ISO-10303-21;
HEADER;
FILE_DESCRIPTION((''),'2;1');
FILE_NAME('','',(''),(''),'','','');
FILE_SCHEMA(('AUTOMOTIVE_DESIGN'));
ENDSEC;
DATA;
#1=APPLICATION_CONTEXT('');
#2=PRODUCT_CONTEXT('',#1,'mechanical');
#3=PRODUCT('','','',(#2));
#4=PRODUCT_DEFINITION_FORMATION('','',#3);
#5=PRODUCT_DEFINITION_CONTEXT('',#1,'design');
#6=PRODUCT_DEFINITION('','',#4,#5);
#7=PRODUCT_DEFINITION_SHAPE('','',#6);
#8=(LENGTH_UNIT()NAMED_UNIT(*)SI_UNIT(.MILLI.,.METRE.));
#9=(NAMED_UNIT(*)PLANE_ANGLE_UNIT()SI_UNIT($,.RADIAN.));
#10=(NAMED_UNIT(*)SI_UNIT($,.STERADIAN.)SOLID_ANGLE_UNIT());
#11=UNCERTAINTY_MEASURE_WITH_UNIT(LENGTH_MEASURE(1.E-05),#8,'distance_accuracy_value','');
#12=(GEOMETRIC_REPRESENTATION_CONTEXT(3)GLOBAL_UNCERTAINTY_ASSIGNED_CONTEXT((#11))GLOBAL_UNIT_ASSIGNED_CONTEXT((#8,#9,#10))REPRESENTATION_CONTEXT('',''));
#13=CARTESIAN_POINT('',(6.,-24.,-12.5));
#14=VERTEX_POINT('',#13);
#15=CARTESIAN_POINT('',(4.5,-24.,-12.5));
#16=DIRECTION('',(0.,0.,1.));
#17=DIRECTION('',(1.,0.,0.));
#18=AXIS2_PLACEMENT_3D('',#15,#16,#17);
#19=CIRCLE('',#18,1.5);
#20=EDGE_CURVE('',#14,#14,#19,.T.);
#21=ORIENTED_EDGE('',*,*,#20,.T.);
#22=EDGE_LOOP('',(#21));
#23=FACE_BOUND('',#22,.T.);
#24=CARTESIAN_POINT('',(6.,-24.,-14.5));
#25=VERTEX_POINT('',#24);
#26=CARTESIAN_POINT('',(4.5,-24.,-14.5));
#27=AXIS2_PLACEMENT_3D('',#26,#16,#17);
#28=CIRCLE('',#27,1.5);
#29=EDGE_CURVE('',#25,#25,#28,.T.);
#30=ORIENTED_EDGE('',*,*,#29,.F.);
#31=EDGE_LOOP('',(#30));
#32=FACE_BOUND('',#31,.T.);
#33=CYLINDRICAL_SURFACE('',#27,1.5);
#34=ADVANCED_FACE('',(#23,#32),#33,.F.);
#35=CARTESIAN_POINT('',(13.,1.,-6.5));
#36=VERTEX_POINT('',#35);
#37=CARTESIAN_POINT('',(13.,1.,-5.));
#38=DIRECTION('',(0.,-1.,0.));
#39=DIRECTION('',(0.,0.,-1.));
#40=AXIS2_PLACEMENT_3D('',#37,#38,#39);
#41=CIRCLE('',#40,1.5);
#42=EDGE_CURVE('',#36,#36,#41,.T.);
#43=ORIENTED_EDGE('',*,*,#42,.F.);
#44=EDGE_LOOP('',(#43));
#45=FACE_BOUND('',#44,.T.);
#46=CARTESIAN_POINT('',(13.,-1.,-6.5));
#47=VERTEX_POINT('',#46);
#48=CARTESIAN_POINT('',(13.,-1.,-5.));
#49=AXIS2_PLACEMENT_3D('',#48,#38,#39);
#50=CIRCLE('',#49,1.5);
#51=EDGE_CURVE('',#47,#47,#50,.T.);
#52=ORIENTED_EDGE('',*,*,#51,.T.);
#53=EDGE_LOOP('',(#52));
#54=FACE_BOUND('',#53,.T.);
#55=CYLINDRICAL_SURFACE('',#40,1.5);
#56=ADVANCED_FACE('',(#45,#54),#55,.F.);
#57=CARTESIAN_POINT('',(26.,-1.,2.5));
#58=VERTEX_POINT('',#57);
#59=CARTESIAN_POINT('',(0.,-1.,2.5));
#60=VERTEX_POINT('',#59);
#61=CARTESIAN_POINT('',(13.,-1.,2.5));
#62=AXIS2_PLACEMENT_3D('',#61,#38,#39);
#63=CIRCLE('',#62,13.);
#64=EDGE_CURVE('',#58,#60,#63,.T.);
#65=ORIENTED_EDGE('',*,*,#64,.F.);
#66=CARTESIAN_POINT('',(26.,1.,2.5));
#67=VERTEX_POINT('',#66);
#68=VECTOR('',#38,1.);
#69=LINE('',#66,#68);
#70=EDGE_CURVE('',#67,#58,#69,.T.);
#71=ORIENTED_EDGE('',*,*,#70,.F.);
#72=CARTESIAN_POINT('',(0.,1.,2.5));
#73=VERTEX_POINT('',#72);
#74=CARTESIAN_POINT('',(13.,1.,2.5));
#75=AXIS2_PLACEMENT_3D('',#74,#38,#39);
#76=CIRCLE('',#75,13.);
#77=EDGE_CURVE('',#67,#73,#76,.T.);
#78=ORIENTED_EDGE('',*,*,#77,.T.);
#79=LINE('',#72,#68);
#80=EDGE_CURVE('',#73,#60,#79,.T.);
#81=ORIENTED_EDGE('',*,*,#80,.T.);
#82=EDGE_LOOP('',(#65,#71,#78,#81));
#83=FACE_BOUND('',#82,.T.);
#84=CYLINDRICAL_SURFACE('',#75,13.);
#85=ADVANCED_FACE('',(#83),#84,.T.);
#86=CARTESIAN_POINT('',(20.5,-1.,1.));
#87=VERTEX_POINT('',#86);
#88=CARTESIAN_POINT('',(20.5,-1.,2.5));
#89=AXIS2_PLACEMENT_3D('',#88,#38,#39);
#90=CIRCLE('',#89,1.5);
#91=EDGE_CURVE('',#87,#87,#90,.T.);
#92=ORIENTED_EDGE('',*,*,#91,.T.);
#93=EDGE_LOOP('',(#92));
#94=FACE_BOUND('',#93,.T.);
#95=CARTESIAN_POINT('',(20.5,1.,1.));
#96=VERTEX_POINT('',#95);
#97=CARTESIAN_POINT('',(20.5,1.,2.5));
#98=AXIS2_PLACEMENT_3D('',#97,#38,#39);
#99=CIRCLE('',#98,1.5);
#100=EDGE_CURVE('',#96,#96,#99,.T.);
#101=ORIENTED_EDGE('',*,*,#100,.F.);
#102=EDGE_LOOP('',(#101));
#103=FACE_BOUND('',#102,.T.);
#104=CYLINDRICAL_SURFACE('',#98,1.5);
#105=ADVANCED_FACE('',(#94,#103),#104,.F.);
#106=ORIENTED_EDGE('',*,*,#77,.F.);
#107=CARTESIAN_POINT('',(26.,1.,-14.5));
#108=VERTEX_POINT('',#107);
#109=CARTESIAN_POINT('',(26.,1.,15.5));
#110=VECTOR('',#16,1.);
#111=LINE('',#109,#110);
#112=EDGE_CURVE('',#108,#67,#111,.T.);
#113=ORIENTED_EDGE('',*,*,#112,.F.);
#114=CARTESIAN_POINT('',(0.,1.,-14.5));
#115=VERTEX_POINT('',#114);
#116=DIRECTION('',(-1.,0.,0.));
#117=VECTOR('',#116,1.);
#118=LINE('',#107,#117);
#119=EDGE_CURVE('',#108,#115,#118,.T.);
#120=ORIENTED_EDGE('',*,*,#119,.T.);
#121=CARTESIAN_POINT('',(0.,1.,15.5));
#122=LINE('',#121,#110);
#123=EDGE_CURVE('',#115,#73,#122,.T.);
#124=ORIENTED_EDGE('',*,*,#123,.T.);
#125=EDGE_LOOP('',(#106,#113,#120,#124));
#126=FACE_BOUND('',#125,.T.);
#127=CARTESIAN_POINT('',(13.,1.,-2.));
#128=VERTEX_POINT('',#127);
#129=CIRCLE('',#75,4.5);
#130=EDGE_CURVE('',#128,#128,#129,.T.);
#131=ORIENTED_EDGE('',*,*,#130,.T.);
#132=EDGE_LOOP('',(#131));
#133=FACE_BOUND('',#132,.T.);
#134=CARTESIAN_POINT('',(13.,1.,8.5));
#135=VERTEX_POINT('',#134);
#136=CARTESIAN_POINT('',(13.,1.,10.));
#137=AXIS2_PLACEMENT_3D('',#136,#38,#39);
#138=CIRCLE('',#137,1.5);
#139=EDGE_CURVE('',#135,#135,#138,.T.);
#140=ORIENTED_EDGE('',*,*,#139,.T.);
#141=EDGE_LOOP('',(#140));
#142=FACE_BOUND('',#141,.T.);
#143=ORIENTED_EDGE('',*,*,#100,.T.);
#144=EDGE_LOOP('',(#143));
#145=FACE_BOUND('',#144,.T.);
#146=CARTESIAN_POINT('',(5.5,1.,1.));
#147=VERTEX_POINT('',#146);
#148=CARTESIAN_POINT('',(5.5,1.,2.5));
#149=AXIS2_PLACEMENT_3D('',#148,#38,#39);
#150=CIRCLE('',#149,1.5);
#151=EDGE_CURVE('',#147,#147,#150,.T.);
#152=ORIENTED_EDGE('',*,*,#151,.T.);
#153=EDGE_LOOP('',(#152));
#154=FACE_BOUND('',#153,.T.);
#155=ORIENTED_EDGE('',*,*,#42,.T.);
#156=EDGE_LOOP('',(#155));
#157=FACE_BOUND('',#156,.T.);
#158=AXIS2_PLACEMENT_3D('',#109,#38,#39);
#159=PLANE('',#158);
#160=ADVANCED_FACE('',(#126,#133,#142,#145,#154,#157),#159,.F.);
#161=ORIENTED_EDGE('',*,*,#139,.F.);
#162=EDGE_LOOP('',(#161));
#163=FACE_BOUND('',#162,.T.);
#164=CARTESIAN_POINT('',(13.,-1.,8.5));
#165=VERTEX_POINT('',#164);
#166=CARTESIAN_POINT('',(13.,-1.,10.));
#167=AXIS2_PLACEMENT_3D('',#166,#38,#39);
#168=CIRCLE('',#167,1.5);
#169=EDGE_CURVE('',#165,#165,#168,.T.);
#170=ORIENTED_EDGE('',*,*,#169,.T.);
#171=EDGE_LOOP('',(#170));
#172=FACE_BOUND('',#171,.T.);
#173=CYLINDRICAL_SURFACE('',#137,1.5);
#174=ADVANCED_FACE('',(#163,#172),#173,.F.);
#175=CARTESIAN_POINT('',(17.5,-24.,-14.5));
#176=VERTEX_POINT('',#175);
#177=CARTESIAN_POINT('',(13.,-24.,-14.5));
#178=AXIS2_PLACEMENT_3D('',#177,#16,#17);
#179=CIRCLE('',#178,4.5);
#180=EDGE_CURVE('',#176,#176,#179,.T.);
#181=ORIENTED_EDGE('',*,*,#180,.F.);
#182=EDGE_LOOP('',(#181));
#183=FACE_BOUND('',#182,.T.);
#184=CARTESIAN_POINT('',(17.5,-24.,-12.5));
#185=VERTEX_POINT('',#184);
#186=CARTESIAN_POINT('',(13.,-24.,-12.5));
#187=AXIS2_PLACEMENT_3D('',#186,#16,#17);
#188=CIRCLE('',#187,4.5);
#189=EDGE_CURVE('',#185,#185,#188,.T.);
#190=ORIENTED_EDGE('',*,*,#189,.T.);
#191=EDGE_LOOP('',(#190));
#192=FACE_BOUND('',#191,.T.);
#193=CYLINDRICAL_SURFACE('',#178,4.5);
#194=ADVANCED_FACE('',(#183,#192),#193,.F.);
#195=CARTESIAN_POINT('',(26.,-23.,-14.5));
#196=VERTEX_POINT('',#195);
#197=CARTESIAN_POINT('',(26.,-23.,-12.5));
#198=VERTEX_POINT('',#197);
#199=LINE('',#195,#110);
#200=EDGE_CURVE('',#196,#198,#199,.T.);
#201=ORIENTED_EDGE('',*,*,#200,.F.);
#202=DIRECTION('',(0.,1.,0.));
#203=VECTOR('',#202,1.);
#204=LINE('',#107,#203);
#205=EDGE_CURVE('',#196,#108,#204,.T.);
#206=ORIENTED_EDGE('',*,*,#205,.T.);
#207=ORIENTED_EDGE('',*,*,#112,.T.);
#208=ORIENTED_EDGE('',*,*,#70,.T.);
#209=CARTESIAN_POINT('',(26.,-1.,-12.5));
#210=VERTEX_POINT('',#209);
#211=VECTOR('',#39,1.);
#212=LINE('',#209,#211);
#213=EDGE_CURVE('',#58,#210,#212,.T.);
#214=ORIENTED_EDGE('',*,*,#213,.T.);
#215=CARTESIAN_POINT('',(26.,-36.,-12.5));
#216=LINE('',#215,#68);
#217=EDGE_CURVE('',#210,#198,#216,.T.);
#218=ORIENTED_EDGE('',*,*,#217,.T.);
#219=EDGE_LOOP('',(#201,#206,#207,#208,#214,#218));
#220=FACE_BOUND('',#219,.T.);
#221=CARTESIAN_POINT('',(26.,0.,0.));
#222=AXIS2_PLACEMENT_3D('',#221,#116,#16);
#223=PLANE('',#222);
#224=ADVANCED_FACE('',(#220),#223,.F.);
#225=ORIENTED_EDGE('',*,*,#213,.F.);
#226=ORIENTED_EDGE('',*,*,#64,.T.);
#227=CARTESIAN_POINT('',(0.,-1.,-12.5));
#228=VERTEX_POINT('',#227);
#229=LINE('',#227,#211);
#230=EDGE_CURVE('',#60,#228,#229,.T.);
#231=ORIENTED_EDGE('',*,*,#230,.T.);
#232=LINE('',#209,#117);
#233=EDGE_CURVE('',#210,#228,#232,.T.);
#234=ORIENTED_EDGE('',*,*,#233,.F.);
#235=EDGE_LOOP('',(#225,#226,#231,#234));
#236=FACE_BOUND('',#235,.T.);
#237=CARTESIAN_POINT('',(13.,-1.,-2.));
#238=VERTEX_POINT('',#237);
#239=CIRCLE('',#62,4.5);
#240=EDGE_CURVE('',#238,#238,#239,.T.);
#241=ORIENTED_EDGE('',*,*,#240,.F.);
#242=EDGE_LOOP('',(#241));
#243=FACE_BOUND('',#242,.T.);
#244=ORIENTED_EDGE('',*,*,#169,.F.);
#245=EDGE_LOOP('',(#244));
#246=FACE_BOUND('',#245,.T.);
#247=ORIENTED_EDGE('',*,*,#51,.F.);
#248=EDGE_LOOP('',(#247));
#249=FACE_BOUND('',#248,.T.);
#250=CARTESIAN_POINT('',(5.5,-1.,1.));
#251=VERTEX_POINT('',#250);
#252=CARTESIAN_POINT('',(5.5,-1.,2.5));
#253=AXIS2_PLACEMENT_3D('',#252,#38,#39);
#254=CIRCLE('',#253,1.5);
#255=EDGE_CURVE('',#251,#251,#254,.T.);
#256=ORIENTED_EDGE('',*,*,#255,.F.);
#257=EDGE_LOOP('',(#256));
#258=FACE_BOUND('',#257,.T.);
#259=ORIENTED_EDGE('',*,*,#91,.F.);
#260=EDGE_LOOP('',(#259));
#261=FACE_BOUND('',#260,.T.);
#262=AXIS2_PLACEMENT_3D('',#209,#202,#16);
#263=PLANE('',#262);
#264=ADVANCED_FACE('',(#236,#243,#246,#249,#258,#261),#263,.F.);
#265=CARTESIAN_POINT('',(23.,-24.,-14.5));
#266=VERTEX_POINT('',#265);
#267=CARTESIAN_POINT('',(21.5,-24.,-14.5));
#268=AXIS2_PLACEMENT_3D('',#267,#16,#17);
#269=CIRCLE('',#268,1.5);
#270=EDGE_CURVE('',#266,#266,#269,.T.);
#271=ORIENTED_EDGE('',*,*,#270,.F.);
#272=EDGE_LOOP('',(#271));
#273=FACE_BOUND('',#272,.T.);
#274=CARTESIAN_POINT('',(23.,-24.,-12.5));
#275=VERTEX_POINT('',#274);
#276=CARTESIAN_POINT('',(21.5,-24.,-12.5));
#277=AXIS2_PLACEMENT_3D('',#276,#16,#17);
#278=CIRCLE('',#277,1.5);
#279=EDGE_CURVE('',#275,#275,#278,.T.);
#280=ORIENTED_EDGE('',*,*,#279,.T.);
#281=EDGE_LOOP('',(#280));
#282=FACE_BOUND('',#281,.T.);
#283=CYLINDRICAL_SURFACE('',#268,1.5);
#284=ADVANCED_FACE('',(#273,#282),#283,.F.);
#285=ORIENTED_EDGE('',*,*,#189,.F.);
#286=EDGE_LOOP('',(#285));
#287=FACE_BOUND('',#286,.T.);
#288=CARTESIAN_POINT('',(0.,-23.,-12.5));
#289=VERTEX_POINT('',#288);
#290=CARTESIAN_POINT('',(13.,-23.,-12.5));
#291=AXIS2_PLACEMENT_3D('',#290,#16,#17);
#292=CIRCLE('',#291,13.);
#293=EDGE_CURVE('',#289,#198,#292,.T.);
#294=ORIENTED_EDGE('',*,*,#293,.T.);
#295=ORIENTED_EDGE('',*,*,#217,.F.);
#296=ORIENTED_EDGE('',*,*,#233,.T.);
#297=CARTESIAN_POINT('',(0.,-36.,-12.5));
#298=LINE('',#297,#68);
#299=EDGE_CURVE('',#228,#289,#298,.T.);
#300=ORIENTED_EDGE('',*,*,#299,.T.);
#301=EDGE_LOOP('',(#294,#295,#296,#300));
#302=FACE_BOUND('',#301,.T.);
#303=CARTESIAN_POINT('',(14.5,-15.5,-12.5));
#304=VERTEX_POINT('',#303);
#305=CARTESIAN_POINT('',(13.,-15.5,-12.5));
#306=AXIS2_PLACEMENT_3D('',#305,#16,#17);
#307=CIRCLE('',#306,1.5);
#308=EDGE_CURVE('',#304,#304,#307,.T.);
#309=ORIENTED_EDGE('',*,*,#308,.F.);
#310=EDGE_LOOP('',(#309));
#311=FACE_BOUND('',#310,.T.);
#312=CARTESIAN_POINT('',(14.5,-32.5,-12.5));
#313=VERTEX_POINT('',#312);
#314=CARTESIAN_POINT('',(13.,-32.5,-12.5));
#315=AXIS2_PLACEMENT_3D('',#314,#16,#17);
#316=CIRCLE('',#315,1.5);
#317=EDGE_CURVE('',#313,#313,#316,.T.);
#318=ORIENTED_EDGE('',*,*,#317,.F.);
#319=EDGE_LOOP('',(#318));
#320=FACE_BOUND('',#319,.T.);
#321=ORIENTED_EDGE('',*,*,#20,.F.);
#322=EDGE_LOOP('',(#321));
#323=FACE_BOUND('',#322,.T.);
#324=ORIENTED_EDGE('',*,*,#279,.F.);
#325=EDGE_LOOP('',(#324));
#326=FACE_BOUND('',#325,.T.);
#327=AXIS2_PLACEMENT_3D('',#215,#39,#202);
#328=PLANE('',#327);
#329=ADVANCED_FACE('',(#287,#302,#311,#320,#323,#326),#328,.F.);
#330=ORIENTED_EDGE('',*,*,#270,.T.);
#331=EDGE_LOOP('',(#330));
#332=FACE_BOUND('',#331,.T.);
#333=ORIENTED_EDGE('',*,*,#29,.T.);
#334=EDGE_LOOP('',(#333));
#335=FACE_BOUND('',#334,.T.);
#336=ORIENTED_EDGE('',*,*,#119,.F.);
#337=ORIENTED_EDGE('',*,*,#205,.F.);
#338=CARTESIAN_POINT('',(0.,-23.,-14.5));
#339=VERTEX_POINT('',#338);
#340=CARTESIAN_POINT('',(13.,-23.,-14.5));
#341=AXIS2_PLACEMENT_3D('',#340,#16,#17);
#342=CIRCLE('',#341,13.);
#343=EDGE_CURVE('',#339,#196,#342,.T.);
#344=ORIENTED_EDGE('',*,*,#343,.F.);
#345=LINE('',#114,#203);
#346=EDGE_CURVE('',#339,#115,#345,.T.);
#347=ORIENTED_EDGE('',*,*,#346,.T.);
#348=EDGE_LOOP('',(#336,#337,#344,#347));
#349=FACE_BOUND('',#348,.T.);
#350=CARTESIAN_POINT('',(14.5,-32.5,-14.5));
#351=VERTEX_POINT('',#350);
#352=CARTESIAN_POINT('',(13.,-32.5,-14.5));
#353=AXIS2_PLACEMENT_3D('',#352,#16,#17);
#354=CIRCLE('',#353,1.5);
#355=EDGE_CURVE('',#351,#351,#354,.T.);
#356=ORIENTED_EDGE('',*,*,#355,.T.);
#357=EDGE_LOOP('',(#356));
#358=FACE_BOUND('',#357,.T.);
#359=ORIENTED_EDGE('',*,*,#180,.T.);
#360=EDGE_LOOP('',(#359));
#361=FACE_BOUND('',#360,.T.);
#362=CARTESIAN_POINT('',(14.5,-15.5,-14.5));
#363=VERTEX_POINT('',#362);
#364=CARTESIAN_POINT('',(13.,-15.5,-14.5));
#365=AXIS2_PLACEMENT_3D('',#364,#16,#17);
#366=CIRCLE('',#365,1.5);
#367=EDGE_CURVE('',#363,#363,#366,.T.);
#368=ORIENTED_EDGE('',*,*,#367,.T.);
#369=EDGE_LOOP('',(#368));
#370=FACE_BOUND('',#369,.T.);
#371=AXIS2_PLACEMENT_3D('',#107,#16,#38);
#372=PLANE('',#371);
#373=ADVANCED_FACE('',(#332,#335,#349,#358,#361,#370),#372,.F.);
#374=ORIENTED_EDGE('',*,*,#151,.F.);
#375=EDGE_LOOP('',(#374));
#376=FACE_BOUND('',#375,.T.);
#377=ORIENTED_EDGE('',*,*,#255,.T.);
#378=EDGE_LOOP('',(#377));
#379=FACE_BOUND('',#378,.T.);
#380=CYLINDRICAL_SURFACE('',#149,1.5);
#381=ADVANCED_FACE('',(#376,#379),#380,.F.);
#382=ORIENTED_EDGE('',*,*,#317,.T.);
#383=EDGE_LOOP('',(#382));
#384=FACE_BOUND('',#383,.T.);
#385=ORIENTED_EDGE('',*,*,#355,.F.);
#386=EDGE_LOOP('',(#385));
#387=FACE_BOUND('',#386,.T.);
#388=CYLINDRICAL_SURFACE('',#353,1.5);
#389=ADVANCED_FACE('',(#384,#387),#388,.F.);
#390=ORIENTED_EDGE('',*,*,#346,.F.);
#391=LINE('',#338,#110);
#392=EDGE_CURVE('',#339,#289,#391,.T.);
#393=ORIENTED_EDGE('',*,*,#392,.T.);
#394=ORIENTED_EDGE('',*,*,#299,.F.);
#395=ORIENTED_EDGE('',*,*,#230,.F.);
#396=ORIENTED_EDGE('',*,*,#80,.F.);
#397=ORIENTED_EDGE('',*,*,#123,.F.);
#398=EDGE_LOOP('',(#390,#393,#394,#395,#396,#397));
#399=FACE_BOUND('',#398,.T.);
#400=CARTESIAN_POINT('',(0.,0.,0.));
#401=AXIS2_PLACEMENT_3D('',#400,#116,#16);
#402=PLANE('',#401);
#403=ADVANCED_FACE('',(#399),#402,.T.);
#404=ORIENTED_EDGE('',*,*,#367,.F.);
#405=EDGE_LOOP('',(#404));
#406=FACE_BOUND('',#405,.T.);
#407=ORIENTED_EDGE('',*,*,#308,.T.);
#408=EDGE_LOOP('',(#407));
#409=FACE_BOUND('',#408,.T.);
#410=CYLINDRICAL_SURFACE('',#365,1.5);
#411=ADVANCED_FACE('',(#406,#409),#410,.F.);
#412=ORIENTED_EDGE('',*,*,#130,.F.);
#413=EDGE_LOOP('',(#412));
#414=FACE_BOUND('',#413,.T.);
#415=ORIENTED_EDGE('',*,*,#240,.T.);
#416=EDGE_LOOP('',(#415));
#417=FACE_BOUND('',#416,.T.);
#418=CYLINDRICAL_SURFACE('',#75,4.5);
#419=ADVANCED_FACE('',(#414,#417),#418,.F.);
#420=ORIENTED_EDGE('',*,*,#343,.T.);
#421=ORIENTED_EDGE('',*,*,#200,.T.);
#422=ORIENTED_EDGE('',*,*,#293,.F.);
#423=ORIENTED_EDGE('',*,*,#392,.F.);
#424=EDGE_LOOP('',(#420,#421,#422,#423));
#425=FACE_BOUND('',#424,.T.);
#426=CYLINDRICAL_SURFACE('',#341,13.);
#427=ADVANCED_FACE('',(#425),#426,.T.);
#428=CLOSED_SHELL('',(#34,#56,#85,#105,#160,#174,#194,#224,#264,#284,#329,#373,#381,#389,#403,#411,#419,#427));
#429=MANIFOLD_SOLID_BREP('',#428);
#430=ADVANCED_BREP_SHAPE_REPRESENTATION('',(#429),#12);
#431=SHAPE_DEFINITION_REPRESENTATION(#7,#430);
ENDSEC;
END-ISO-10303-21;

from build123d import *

# Parameters (mm, degrees)
BOSS_EXTRUDE1_DEPTH = 26
SKETCH4_R           = 4.5
SKETCH4_R_2         = 1.5
CUT_EXTRUDE2_DEPTH  = 3
SKETCH5_R           = 1.5
SKETCH5_R_2         = 4.5
CUT_EXTRUDE3_DEPTH  = 3


with BuildPart() as part:
    # Sketch2 → Boss-Extrude1 (new body)
    with BuildSketch(Plane(origin=(0, 0, 0), x_dir=(0, 0, -1), z_dir=(1, 0, 0))):
        Polygon((-15.5, 1), (14.5, 1), (14.5, -36), (12.5, -36), (12.5, -1), (-15.5, -1), align=None)
    extrude(amount=BOSS_EXTRUDE1_DEPTH)

    # Sketch4 → Cut-Extrude2 (cut, through all)
    with BuildSketch(Plane.XY.offset(-12.5)):
        with Locations((13, -24)):
            Circle(SKETCH4_R)
        with Locations((4.5, -24)):
            Circle(SKETCH4_R_2)
        with Locations((13, -32.5)):
            Circle(SKETCH4_R_2)
        with Locations((21.5, -24)):
            Circle(SKETCH4_R_2)
        with Locations((13, -15.5)):
            Circle(SKETCH4_R_2)
        with BuildLine():
            ThreePointArc((13, -36), (3.807611845, -32.192388155), (0, -23))
            Line((0, -23), (0, -36))
            Line((0, -36), (13, -36))
        make_face()
        with BuildLine():
            ThreePointArc((26, -23), (22.192388155, -32.192388155), (13, -36))
            Line((13, -36), (26, -36))
            Line((26, -36), (26, -23))
        make_face()
    extrude(amount=-CUT_EXTRUDE2_DEPTH, mode=Mode.SUBTRACT)

    # Sketch5 → Cut-Extrude3 (cut, through all)
    with BuildSketch(Plane.XZ.offset(1)):
        with Locations((5.5, 2.5)):
            Circle(SKETCH5_R)
        with Locations((13, -5)):
            Circle(SKETCH5_R)
        with Locations((13, 2.5)):
            Circle(SKETCH5_R_2)
        with Locations((20.5, 2.5)):
            Circle(SKETCH5_R)
        with BuildLine():
            Line((13, 15.5), (0, 15.5))
            Line((0, 15.5), (0, 2.5))
            ThreePointArc((0, 2.5), (3.807611845, 11.692388155), (13, 15.5))
        make_face()
        with BuildLine():
            Line((26, 15.5), (13, 15.5))
            ThreePointArc((13, 15.5), (22.192388155, 11.692388155), (26, 2.5))
            Line((26, 2.5), (26, 15.5))
        make_face()
        with Locations((13, 10)):
            Circle(SKETCH5_R)
    extrude(amount=-CUT_EXTRUDE3_DEPTH, mode=Mode.SUBTRACT)


solid = part.part
